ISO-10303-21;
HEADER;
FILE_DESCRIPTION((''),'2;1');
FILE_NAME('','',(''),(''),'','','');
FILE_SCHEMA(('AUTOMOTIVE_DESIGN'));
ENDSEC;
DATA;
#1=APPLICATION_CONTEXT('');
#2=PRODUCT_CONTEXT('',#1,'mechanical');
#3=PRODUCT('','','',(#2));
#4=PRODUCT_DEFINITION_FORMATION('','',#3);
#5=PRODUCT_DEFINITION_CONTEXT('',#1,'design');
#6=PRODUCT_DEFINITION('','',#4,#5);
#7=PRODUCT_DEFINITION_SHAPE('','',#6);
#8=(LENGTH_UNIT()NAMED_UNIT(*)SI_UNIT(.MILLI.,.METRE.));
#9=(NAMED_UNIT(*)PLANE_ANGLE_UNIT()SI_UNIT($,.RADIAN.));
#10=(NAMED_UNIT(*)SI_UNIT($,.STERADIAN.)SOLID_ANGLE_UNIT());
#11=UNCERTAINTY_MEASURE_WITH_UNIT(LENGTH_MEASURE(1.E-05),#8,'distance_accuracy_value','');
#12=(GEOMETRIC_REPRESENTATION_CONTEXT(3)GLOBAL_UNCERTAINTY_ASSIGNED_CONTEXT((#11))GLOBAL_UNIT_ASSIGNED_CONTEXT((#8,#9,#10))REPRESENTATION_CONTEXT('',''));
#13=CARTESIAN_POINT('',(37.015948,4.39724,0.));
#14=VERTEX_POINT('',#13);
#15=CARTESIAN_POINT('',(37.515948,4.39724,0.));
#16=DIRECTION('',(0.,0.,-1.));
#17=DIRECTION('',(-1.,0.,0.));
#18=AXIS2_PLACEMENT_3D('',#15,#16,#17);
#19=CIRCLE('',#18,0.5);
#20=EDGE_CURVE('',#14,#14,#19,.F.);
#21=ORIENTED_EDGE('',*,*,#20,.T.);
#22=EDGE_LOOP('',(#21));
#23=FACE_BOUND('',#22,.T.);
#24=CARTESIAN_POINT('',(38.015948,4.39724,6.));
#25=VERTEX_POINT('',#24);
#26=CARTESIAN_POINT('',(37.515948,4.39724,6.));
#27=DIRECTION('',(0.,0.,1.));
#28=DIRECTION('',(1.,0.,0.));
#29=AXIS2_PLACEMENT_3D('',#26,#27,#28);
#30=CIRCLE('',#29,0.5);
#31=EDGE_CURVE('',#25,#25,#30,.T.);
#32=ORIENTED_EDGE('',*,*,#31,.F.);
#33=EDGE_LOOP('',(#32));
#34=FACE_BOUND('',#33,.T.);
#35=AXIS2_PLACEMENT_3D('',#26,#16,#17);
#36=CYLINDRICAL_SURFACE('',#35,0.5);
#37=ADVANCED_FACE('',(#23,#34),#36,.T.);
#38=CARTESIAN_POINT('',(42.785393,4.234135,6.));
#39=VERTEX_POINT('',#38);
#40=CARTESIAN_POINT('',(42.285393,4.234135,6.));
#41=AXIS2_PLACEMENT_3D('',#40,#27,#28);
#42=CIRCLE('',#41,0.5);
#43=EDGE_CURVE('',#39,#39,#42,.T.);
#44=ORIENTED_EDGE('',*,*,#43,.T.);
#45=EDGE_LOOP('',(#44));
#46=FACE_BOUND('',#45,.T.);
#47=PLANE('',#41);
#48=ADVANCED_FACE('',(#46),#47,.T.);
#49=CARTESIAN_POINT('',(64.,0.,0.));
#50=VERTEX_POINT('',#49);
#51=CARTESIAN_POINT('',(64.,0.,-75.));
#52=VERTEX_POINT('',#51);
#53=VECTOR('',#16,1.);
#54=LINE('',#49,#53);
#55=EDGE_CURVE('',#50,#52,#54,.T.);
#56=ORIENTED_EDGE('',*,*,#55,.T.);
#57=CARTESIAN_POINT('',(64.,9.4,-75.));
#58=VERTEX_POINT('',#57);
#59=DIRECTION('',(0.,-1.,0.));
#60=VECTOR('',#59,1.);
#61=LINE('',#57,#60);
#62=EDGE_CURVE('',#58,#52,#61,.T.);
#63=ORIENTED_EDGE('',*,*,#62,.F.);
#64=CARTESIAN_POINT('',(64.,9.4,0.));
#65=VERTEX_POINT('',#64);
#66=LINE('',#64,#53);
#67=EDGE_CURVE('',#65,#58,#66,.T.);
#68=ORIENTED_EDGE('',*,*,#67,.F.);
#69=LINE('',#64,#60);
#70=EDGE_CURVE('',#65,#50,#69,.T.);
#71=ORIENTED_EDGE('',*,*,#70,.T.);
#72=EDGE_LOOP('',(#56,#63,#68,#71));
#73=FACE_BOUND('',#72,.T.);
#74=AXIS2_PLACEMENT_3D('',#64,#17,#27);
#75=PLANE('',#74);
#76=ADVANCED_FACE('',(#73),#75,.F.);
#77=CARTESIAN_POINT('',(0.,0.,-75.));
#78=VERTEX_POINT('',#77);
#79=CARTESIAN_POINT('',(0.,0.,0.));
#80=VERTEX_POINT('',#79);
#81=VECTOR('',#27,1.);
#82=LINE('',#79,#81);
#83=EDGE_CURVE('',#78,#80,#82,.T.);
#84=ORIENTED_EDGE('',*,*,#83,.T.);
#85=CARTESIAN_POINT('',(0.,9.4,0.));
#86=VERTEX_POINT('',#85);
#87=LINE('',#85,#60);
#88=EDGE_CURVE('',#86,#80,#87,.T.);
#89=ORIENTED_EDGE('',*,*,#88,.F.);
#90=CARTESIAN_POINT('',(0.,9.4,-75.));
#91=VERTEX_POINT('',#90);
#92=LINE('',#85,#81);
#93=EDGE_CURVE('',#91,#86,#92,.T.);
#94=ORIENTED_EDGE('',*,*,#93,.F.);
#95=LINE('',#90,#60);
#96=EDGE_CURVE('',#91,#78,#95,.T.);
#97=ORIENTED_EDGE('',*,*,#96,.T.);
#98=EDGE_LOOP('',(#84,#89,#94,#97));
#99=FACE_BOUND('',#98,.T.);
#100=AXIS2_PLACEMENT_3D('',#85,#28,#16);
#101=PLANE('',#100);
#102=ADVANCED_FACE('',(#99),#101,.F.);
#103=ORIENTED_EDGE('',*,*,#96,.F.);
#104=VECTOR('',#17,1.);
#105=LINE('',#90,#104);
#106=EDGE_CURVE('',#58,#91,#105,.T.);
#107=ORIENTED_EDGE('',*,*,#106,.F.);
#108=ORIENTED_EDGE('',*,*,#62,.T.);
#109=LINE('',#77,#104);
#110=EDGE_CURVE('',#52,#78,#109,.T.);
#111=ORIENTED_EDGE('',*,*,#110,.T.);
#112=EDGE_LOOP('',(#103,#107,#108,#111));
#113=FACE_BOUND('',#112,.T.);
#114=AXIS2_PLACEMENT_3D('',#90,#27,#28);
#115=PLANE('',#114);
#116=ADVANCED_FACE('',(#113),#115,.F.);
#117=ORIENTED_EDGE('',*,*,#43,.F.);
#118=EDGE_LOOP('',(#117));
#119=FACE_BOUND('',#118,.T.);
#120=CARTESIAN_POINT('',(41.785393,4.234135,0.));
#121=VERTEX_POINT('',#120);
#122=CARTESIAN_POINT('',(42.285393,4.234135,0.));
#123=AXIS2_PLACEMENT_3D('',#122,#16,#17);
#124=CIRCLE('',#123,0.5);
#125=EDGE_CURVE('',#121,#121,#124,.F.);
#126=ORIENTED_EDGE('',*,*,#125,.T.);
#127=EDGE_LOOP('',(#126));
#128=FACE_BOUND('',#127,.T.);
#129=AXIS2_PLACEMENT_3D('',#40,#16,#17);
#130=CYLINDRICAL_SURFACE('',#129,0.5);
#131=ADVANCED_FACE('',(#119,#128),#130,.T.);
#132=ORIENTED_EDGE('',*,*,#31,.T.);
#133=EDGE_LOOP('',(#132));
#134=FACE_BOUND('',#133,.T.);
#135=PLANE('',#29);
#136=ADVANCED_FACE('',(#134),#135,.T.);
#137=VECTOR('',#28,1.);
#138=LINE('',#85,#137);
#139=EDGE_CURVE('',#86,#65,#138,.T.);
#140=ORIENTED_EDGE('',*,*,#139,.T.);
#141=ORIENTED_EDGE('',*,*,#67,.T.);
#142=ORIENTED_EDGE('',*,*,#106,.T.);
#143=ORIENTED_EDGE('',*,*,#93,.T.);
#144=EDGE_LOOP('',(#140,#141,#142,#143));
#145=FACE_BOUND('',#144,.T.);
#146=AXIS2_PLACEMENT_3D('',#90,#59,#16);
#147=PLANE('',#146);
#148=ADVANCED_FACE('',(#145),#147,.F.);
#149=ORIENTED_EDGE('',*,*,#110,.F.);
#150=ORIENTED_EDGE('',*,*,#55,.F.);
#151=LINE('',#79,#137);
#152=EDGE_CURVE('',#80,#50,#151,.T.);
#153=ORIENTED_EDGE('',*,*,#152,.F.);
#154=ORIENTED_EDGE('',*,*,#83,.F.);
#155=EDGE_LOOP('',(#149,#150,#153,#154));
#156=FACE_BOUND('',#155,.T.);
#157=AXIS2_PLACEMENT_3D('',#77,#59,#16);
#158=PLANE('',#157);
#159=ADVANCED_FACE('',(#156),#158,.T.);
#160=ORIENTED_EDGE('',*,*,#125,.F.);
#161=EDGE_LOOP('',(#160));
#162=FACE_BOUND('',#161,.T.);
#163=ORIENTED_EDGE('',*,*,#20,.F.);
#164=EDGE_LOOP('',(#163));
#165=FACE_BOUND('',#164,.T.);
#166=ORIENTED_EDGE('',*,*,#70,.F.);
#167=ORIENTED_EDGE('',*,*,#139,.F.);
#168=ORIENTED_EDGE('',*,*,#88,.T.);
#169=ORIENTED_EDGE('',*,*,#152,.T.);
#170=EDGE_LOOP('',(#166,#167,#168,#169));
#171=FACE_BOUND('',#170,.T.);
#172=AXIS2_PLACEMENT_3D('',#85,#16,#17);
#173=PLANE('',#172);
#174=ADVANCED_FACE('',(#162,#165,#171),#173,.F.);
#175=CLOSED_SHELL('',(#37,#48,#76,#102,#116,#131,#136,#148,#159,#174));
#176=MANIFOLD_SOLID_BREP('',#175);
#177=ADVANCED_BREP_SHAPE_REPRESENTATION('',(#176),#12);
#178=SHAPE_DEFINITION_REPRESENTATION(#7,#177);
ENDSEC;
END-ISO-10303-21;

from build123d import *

# Parameters (mm, degrees)
SKETCH1_W           = 64
SKETCH1_H           = 75
BOSS_EXTRUDE1_DEPTH = 9.4
SKETCH3_R           = 0.5
BOSS_EXTRUDE2_DEPTH = 6


with BuildPart() as part:
    # Sketch1 → Boss-Extrude1 (new body)
    with BuildSketch(Plane(origin=(0, 0, 0), x_dir=(1, 0, 0), z_dir=(0, 1, 0))):
        with Locations((32, 37.5)):
            Rectangle(SKETCH1_W, SKETCH1_H)
    extrude(amount=BOSS_EXTRUDE1_DEPTH)

    # Sketch3 → Boss-Extrude2 (add)
    with BuildSketch(Plane(origin=(13.525948084, 0, 0), x_dir=(1, 0, 0), z_dir=(0, 0, 1))):
        with Locations((23.990000312, 4.397240371)):
            Circle(SKETCH3_R)
        with Locations((28.759444519, 4.234135385)):
            Circle(SKETCH3_R)
    extrude(amount=BOSS_EXTRUDE2_DEPTH)


solid = part.part
